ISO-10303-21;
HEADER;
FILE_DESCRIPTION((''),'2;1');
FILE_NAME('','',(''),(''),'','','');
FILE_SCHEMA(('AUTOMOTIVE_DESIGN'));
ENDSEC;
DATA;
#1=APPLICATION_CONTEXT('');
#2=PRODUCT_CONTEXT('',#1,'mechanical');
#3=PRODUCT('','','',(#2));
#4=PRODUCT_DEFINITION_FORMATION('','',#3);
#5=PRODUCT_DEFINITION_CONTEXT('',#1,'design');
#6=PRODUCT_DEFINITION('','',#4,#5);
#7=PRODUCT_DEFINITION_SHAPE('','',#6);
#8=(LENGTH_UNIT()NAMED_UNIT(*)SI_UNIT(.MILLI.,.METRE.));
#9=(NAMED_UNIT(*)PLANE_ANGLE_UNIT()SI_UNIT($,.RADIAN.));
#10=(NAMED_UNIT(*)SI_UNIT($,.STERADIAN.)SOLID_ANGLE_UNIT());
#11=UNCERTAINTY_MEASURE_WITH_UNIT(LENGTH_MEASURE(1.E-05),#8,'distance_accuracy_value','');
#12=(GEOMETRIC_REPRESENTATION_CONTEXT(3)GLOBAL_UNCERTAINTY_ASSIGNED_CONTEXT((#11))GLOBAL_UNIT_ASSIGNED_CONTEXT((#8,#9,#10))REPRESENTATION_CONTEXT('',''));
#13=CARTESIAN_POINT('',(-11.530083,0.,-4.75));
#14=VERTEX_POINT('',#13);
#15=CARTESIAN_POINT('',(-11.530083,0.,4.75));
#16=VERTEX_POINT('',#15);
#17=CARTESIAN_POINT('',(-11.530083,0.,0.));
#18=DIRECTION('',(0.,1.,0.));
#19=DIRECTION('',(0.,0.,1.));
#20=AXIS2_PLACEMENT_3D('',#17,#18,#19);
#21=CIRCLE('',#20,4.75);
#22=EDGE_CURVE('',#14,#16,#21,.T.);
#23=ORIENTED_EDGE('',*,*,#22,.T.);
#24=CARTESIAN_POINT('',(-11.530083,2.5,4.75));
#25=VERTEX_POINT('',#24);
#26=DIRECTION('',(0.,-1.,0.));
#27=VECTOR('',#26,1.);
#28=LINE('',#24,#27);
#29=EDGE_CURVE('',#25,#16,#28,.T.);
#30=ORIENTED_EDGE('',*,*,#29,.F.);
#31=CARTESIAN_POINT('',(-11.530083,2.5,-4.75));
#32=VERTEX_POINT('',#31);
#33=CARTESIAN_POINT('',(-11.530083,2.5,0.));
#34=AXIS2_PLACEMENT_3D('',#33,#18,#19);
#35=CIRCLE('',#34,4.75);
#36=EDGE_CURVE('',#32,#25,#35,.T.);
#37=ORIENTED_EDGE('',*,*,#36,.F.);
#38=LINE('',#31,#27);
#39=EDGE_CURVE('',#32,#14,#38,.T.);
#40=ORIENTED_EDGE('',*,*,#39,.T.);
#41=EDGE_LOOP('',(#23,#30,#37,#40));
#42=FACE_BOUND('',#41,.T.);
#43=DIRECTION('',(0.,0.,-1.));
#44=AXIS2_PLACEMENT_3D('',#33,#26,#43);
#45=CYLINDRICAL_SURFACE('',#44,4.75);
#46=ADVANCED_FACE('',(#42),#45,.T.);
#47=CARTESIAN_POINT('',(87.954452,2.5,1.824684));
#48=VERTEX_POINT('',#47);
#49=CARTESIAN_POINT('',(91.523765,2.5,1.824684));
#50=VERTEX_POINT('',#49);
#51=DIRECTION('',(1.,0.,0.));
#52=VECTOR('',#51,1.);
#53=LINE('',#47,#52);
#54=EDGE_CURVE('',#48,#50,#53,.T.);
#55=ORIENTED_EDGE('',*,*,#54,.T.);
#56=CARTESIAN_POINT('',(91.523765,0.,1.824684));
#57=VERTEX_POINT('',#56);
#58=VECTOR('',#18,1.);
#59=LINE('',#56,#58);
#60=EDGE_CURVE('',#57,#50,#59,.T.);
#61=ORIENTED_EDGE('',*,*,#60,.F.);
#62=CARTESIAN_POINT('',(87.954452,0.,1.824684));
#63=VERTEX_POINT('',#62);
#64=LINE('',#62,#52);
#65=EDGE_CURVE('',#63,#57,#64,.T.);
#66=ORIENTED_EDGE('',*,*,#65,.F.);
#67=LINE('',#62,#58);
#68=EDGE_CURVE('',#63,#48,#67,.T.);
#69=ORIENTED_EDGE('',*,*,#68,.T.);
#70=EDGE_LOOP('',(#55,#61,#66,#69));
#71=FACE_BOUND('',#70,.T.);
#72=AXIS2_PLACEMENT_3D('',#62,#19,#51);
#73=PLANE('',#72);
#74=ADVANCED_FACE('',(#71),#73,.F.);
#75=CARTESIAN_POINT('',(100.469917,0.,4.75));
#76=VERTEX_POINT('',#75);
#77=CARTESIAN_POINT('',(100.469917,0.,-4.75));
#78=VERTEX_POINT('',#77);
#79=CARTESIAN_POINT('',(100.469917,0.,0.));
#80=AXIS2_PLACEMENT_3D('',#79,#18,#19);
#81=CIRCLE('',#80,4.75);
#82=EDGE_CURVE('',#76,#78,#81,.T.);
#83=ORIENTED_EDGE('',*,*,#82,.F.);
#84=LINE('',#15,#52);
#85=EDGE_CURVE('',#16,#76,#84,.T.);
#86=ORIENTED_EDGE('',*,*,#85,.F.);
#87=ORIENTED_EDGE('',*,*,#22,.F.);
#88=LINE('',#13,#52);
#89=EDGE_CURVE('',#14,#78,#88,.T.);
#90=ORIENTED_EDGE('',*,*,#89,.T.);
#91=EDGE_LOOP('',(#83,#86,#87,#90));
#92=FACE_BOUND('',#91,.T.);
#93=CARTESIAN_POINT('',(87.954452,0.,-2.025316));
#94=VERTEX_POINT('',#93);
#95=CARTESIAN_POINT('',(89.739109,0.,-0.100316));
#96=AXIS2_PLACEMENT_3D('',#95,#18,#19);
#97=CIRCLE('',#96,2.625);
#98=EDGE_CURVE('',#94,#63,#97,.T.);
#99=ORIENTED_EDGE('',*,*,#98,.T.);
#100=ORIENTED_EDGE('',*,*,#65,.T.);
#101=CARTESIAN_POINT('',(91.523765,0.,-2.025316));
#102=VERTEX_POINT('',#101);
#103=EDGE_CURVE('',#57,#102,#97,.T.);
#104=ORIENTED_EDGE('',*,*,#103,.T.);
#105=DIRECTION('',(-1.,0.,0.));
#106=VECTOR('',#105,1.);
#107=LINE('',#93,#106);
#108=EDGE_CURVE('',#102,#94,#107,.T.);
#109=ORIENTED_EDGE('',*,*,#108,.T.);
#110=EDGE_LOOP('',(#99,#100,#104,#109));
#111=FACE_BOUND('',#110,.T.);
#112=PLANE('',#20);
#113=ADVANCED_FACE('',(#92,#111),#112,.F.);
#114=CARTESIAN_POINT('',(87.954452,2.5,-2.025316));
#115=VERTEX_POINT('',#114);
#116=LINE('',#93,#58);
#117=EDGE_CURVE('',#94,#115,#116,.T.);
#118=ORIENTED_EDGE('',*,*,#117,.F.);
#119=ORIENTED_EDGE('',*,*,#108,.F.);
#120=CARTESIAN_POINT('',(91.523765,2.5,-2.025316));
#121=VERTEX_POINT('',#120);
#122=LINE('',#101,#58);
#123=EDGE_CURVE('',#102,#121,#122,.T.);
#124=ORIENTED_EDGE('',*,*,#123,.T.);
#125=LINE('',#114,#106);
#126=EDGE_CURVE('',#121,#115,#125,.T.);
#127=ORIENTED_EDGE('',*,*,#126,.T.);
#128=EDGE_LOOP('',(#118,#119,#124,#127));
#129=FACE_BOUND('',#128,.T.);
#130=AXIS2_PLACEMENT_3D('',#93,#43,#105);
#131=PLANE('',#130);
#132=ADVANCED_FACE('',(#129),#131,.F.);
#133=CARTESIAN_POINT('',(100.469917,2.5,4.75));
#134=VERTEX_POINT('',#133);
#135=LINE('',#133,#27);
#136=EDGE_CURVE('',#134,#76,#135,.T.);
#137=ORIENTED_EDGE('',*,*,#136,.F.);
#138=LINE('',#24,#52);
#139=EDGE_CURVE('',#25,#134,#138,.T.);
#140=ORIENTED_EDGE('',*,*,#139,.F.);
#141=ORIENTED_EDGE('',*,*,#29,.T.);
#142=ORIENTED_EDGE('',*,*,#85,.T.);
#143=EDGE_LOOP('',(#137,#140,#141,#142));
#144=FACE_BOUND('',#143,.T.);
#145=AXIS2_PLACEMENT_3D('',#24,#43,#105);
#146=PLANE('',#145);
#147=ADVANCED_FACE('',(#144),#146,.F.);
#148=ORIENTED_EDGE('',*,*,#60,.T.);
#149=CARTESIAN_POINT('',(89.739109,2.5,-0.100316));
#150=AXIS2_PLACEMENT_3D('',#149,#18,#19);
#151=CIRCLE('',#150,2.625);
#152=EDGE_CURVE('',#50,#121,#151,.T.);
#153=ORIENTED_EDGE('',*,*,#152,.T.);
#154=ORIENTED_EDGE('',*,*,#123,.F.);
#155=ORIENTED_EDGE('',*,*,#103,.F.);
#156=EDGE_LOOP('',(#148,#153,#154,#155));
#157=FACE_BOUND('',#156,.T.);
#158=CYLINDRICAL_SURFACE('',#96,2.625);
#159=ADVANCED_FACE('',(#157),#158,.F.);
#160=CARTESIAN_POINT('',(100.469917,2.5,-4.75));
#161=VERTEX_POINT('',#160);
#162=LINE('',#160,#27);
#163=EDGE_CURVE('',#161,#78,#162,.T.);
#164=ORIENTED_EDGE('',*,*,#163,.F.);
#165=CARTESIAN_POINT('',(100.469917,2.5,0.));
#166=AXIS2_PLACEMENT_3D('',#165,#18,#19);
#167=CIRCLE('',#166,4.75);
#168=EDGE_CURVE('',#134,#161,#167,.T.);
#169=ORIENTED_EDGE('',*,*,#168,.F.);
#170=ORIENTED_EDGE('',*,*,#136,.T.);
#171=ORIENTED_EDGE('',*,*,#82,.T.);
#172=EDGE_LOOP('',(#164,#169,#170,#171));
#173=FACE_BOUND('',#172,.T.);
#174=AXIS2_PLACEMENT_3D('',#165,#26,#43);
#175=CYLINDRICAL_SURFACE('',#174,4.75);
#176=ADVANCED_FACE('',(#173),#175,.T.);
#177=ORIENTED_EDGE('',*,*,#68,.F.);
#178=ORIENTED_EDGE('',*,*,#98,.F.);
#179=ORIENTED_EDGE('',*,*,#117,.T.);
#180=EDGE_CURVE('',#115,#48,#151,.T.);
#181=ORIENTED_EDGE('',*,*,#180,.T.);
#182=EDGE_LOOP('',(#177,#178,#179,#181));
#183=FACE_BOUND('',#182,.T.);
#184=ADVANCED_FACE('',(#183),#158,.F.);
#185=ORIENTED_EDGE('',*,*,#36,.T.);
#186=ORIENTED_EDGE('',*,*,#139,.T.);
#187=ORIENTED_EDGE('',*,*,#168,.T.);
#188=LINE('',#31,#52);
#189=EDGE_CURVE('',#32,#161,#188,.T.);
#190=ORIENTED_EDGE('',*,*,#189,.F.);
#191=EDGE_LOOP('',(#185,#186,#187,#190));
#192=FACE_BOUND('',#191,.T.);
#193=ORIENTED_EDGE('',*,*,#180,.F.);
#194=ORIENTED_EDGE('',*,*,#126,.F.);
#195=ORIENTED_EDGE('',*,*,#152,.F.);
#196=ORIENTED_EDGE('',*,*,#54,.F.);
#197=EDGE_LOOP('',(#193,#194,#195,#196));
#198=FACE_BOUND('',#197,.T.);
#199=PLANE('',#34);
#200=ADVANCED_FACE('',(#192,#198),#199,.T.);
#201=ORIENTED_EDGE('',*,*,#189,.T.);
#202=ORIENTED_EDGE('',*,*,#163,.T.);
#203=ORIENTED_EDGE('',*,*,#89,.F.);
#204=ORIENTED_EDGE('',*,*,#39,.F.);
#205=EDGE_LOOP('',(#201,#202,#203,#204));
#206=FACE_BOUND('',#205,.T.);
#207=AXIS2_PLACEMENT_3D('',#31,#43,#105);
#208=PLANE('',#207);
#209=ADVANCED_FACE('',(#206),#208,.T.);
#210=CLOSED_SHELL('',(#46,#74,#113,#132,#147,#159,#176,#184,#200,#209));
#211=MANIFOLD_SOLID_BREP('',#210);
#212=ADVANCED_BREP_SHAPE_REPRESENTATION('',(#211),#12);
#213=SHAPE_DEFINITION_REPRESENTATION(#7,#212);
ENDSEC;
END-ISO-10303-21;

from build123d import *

# Parameters (mm, degrees)
BOSS_EXTRUDE1_DEPTH     = 2.5
CUT_EXTRUDE1_DEPTH      = 106.356743667
CUT_EXTRUDE1_DEPTH_BACK = 106.356743667


with BuildPart() as part:
    # Sketch1 → Boss-Extrude1 (new body)
    with BuildSketch(Plane(origin=(0, 0, 0), x_dir=(1, 0, 0), z_dir=(0, 1, 0))):
        with BuildLine():
            Line((-11.530082988, 4.75), (100.469917012, 4.75))
            ThreePointArc((100.469917012, 4.75), (105.219917012, 0), (100.469917012, -4.75))
            Line((100.469917012, -4.75), (-11.530082988, -4.75))
            ThreePointArc((-11.530082988, -4.75), (-16.280082988, 0), (-11.530082988, 4.75))
        make_face()
    extrude(amount=BOSS_EXTRUDE1_DEPTH)

    # Sketch2 → Cut-Extrude1 (cut, two sides: drawn at the far end of the back side and taken through both)
    with BuildSketch(Plane(origin=(0, 2.5, 0), x_dir=(1, 0, 0), z_dir=(0, 1, 0)).offset(-CUT_EXTRUDE1_DEPTH_BACK)):
        with BuildLine():
            Line((87.954451806, 2.025316283), (91.523765465, 2.025316283))
            ThreePointArc((91.523765465, 2.025316283), (92.364108635, 0.100316283), (91.523765465, -1.824683717))
            Line((91.523765465, -1.824683717), (87.954451806, -1.824683717))
            ThreePointArc((87.954451806, -1.824683717), (87.114108635, 0.100316283), (87.954451806, 2.025316283))
        make_face()
    extrude(amount=CUT_EXTRUDE1_DEPTH + CUT_EXTRUDE1_DEPTH_BACK, mode=Mode.SUBTRACT)


solid = part.part
